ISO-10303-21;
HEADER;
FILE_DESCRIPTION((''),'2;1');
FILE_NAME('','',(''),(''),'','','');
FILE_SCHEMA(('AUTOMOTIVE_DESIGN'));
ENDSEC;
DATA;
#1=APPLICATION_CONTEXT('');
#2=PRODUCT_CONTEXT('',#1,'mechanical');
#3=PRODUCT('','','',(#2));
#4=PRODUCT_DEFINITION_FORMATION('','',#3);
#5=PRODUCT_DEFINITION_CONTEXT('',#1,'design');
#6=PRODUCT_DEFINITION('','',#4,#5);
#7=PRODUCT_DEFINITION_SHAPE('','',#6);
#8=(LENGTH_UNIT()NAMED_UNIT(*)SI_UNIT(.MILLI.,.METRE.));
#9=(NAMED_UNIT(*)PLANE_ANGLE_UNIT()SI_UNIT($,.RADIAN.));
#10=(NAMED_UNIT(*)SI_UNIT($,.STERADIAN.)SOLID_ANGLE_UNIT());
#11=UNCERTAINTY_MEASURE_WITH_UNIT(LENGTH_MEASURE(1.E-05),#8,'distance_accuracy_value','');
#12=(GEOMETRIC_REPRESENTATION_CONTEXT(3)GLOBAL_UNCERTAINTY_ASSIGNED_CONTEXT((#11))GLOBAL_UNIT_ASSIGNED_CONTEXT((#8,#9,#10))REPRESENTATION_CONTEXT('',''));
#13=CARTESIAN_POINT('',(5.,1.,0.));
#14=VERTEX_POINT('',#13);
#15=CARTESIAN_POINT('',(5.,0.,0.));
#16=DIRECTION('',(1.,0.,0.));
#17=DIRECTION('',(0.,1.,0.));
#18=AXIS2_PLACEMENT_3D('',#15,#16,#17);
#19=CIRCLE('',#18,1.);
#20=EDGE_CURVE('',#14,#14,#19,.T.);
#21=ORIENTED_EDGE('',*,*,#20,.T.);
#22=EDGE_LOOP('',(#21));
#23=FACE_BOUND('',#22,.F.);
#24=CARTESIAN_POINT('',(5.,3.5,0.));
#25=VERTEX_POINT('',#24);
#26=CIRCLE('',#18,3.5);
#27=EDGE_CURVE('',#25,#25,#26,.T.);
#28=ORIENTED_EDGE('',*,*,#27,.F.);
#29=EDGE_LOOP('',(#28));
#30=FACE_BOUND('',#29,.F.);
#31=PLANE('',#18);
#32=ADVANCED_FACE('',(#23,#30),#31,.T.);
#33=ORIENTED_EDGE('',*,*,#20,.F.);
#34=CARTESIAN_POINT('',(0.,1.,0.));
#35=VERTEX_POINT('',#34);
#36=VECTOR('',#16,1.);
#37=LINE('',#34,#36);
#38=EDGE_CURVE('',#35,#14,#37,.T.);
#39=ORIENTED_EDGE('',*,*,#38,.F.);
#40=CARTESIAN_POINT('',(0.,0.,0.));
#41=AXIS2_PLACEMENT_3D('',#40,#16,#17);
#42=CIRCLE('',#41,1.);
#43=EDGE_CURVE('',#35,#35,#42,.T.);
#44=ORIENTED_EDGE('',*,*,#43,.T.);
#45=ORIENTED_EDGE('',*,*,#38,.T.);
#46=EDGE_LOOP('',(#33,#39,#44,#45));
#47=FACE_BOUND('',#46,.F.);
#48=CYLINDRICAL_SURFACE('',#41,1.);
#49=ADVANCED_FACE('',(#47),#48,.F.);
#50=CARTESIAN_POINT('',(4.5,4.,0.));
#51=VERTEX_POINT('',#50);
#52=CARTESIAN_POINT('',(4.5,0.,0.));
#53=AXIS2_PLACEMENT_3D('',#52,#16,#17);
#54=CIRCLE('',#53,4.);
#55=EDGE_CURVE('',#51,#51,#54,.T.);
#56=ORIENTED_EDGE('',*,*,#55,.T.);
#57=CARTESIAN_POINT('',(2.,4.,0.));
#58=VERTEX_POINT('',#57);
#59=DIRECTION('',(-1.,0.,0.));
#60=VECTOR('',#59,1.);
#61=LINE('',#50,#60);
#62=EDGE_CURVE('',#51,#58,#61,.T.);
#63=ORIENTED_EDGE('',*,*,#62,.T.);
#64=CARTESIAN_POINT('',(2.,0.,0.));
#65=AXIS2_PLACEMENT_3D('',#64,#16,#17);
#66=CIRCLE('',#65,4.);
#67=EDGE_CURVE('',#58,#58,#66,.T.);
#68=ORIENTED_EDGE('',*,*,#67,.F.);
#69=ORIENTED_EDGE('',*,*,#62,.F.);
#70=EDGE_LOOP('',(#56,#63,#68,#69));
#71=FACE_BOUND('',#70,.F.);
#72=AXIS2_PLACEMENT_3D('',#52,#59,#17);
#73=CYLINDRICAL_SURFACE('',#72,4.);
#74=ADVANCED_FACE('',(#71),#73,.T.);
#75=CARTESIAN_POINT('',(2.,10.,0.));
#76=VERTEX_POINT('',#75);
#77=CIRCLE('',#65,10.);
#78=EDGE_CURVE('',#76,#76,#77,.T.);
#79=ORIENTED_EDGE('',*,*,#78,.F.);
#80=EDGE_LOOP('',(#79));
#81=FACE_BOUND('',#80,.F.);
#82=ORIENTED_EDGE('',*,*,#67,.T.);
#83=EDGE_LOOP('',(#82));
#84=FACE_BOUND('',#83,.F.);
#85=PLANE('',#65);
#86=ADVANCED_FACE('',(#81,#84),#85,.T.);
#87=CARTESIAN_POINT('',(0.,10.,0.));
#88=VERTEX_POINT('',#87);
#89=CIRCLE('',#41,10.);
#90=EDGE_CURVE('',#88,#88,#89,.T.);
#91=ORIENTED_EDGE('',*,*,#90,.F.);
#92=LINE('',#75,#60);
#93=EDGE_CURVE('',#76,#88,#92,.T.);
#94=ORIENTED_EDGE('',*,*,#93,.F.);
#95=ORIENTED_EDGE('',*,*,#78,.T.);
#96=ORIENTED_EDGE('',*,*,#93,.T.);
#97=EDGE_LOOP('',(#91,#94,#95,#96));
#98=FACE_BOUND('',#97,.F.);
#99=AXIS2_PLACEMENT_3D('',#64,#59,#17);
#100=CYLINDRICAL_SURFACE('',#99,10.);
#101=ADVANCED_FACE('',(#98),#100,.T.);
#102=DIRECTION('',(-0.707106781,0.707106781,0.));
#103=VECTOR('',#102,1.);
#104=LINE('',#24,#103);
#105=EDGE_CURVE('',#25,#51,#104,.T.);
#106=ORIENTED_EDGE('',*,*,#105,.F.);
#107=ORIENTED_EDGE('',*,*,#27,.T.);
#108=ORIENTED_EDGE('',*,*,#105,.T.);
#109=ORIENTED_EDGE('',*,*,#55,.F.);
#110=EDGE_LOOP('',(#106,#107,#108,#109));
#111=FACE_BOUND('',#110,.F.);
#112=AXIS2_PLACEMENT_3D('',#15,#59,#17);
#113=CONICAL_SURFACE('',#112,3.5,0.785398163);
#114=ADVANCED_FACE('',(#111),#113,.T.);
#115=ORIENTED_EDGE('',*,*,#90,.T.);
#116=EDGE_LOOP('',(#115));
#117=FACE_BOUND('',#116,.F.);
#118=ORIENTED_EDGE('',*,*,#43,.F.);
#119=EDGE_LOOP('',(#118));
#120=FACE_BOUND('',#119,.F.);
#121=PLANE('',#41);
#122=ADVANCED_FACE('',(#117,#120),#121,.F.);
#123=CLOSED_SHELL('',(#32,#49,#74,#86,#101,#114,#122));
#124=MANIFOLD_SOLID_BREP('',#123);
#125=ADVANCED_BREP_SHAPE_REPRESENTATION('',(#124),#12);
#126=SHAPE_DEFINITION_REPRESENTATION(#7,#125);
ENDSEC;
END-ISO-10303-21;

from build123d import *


with BuildPart() as f1:
    # F0 (on Top) → F1 (revolve)
    with BuildSketch(Plane.XY):
        Polygon((0, 10), (0, 1), (2, 1), (2, 4), (2, 10), align=None)
        Polygon((2, 4), (2, 1), (5, 1), (5, 3.5), (4.5, 4), align=None)
    revolve(axis=Axis((5.453455, 0, 0), (1, 0, 0)))


solid = f1.part
